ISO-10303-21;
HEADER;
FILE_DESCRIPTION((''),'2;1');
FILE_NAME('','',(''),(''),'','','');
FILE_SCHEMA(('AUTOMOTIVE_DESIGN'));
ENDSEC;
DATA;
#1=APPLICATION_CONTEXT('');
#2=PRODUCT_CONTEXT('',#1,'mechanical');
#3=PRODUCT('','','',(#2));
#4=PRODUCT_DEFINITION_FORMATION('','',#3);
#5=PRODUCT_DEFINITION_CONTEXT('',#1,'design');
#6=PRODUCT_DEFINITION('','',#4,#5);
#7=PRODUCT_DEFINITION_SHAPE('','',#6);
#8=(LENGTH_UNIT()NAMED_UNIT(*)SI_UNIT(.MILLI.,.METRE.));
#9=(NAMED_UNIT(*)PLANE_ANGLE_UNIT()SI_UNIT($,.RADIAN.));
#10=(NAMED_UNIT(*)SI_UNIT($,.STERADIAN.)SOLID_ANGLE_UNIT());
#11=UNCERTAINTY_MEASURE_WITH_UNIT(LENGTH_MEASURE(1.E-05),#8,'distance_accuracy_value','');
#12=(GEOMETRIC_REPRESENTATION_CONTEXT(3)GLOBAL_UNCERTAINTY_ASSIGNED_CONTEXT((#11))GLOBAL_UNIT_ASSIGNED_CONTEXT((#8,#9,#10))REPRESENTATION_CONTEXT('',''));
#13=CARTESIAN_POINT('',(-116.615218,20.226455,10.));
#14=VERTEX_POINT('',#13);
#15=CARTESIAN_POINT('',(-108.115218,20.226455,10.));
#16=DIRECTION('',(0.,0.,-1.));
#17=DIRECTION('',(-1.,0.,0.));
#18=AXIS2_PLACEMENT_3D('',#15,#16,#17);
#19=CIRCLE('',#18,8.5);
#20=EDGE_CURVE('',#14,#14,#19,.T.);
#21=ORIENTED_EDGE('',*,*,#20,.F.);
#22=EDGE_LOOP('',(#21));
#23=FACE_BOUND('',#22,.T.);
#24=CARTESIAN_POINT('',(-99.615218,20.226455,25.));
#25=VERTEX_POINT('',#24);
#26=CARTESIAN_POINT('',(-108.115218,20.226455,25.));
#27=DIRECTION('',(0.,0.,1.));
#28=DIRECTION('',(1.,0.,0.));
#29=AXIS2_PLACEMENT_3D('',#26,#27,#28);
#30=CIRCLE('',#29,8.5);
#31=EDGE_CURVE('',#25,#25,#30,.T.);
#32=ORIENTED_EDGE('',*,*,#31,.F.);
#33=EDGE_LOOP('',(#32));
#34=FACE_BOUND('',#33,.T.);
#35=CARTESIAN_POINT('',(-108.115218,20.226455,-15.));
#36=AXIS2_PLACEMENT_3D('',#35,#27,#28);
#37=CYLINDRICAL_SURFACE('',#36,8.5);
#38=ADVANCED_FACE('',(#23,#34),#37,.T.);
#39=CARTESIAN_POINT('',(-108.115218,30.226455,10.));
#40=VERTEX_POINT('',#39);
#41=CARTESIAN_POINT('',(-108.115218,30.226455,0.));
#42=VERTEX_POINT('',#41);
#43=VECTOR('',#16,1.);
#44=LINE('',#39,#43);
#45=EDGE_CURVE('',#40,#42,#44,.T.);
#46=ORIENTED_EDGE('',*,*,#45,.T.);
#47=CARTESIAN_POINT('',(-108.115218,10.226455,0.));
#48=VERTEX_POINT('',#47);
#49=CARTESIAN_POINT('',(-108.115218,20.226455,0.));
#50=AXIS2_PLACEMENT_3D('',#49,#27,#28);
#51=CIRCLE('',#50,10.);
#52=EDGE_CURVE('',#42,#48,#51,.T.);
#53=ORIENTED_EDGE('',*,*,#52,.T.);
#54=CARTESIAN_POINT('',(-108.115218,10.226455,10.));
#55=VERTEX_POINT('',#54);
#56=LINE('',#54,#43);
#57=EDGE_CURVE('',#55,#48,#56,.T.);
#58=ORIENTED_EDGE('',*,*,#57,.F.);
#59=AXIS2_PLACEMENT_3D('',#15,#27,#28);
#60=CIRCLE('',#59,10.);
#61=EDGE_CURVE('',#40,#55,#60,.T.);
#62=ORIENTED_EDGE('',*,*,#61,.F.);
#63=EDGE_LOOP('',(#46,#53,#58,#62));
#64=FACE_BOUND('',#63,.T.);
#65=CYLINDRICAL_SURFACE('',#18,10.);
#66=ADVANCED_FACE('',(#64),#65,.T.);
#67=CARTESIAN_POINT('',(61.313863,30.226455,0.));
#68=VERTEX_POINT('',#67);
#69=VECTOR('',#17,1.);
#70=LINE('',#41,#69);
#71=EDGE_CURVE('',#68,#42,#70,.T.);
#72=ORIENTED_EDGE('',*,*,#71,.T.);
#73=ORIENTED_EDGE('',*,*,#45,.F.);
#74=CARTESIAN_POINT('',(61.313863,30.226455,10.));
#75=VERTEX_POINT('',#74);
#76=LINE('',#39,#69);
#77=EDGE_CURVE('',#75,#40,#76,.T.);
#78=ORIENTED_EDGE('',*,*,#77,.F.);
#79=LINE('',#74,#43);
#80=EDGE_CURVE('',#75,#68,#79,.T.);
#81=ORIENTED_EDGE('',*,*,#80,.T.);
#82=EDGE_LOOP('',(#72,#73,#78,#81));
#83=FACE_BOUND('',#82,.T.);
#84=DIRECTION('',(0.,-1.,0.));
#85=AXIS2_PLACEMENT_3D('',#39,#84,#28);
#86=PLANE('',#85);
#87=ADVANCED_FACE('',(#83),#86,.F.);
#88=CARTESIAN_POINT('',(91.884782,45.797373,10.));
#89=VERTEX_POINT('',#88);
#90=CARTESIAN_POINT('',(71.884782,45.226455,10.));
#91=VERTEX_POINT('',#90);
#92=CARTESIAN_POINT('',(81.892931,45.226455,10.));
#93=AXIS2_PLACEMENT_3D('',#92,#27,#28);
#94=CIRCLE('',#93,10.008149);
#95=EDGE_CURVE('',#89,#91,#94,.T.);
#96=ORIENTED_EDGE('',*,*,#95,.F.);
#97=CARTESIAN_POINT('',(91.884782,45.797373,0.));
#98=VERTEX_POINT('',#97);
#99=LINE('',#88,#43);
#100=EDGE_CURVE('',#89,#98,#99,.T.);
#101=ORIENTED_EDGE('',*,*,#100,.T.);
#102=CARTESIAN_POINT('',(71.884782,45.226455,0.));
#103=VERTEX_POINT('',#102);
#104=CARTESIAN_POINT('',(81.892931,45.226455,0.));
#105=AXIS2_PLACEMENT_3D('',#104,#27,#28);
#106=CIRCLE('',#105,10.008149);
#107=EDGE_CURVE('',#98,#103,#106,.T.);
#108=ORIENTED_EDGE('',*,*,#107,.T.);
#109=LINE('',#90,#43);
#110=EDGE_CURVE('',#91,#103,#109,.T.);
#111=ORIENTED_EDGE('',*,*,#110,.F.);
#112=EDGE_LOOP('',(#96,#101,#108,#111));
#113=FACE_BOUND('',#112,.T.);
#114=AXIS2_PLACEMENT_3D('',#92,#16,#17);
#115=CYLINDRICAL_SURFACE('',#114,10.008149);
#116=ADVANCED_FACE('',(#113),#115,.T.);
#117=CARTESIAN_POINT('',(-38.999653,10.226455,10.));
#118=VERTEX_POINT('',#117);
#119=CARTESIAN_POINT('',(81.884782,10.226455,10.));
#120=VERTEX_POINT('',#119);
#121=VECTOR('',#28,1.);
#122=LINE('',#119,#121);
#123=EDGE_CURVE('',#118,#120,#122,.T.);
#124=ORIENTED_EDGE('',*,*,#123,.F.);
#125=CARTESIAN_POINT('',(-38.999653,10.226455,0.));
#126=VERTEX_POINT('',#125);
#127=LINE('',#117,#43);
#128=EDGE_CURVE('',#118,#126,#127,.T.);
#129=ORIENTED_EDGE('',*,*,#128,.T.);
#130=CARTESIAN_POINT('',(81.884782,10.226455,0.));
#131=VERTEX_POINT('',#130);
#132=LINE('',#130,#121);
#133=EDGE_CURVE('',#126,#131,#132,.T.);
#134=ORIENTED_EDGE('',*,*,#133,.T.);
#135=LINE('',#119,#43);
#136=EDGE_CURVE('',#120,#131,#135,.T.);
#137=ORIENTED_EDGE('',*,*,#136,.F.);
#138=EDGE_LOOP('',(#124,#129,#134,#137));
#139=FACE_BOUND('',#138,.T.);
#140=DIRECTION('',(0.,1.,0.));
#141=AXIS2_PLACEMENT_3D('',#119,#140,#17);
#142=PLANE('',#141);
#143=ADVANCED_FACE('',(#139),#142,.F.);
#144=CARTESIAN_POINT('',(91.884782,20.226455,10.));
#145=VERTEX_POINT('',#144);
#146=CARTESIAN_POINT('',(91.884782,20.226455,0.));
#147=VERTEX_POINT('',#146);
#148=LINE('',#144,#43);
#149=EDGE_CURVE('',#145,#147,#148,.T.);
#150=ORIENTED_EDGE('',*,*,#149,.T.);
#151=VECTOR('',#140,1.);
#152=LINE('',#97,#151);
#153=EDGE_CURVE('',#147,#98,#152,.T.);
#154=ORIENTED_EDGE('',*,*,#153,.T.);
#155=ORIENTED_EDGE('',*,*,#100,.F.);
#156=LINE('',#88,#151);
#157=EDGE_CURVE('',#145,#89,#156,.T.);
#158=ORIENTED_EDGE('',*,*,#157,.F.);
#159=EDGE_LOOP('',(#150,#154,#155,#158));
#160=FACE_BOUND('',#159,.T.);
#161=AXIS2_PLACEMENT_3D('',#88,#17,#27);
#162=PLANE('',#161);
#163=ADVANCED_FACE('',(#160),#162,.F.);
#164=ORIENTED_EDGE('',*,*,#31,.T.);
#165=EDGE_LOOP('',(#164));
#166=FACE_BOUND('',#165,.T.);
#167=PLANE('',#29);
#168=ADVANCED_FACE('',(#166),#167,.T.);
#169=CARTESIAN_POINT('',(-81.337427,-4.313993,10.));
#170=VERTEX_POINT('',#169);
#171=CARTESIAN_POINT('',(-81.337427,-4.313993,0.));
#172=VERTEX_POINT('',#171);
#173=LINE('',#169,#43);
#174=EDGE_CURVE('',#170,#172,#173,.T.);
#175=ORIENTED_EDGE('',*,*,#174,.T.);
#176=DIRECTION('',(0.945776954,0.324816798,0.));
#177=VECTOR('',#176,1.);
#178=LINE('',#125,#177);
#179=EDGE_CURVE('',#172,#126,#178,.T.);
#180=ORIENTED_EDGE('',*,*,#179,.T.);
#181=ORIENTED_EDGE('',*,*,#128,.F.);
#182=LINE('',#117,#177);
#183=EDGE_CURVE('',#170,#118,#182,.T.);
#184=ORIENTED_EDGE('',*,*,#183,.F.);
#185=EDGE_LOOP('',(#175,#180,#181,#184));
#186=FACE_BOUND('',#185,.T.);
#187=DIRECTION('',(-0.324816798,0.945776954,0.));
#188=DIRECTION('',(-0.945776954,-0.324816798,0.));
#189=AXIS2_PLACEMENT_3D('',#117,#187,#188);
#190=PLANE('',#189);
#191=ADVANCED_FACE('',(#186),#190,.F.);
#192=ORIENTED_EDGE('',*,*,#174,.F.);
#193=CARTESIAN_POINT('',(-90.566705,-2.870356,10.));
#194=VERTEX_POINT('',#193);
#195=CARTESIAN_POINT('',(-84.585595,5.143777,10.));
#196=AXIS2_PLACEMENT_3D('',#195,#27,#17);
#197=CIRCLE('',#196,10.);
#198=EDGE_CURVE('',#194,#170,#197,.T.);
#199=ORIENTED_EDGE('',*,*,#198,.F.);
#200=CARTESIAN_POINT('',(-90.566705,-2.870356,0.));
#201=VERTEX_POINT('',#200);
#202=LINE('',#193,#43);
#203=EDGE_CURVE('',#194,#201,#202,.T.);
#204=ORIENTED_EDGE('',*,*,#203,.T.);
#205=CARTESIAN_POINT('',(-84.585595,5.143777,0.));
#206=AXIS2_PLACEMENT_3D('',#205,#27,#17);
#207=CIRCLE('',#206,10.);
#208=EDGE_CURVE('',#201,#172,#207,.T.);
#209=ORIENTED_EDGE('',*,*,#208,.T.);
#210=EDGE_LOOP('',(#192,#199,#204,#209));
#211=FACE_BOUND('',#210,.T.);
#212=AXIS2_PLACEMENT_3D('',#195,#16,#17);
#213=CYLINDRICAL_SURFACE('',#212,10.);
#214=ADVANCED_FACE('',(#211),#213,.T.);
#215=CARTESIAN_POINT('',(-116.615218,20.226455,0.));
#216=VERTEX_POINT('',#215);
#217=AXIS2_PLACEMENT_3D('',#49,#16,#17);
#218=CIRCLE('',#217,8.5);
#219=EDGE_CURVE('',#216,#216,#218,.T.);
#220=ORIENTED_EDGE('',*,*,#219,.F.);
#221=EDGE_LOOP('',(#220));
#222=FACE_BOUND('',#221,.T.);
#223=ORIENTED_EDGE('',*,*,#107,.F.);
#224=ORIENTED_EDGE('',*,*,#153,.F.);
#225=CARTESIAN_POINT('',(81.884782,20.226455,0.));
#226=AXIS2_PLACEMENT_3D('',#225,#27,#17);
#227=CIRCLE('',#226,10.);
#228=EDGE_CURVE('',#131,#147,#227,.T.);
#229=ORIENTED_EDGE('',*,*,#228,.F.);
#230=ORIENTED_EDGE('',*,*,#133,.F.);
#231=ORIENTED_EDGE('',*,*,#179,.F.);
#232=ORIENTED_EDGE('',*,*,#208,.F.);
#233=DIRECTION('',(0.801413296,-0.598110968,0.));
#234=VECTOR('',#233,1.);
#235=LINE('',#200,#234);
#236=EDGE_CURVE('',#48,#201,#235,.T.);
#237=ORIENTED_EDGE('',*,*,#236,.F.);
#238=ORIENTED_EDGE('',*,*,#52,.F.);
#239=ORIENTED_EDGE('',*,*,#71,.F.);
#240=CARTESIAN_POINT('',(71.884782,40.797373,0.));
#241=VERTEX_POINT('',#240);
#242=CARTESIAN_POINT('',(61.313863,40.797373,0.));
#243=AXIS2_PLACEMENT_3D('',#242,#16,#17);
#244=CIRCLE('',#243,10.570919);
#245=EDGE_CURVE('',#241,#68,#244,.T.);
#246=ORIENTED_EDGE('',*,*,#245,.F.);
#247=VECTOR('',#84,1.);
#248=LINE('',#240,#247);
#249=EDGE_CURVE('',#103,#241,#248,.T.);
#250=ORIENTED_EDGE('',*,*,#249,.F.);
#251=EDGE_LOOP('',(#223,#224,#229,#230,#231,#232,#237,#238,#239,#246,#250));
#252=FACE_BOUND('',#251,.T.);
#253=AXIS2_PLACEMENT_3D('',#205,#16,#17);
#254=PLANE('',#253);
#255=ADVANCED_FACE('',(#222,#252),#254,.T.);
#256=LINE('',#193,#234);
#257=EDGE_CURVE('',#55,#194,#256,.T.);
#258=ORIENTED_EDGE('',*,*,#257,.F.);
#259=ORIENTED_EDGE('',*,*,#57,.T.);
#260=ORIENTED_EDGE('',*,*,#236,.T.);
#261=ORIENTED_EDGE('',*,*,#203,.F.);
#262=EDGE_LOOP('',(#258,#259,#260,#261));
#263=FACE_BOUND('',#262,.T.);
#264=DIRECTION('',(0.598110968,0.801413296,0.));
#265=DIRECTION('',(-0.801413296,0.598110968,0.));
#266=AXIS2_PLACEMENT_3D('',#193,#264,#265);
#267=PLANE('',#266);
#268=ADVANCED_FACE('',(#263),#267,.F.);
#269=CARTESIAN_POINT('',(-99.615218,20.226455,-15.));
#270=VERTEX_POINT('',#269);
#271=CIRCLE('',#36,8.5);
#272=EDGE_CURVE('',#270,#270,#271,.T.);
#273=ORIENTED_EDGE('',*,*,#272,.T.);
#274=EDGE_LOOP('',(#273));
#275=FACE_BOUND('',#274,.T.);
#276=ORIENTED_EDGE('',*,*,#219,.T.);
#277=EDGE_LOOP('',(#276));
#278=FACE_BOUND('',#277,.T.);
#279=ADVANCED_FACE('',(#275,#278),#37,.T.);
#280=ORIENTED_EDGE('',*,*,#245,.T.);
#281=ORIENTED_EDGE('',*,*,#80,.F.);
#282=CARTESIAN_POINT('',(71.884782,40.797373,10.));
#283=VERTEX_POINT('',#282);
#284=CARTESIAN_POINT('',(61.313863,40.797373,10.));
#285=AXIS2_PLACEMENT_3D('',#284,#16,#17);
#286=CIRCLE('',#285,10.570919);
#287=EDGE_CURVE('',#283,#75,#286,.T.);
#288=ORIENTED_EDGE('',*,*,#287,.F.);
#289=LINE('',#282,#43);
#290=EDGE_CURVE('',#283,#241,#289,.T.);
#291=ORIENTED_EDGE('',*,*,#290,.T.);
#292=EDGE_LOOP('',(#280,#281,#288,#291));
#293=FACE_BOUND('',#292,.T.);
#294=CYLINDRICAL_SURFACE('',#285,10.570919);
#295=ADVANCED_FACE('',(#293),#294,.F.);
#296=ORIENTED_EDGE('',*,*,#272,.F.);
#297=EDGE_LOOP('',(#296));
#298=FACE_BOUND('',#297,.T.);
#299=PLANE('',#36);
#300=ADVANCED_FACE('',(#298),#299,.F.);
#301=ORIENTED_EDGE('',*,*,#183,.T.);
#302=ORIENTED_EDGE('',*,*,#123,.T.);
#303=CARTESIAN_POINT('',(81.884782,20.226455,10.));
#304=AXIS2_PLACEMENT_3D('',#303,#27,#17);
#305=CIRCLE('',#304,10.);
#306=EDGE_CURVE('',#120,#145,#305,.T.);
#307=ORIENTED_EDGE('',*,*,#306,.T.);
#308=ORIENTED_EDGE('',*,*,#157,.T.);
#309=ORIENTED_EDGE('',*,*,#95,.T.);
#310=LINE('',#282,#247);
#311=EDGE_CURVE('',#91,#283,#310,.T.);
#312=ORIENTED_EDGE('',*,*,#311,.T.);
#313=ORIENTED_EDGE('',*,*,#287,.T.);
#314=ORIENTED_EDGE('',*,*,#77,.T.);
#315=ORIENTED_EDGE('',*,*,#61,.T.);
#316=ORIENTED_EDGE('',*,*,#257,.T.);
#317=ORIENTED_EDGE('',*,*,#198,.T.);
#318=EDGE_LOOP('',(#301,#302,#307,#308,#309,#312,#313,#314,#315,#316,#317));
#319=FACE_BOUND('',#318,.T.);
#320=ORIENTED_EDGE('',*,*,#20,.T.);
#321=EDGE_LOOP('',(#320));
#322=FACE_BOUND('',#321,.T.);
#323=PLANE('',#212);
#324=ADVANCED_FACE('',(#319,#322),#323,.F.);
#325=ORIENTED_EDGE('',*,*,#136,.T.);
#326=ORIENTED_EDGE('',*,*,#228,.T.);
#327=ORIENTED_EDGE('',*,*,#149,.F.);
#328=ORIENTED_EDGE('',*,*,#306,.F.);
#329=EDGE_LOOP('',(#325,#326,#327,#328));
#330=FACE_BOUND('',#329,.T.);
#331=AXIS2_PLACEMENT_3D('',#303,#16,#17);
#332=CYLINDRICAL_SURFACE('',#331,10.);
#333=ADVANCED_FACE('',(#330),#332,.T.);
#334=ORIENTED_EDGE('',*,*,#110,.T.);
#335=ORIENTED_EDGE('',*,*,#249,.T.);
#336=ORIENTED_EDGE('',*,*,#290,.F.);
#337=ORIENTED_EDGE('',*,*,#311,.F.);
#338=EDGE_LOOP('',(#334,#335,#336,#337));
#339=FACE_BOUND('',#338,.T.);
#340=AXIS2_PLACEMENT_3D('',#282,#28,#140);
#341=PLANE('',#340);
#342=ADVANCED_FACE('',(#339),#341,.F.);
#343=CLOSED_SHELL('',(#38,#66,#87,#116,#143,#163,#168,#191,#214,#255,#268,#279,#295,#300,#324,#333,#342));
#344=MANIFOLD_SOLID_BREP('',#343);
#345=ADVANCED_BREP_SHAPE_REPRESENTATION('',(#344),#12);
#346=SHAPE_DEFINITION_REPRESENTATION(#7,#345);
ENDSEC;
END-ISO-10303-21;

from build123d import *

# Parameters (mm, degrees)
BOSS_EXTRU_1_DEPTH      = 10
ESQUISSE2_R             = 8.5
BOSS_EXTRU_2_DEPTH      = 15
BOSS_EXTRU_2_DEPTH_BACK = 25


with BuildPart() as part:
    # Esquisse1 → Boss.-Extru.1 (new body)
    with BuildSketch(Plane.XY):
        with BuildLine():
            Line((-38.999653337, 10.226454502), (-81.337427048, -4.313992939))
            ThreePointArc((-81.337427048, -4.313992939), (-86.130996021, -4.736088564), (-90.566704705, -2.870356351))
            Line((-90.566704705, -2.870356351), (-108.115218138, 10.226454502))
            ThreePointArc((-108.115218138, 10.226454502), (-118.115218138, 20.226454502), (-108.115218138, 30.226454502))
            Line((-108.115218138, 30.226454502), (61.31386316, 30.226454502))
            ThreePointArc((61.31386316, 30.226454502), (68.788631458, 33.322604906), (71.884781862, 40.797373204))
            Line((71.884781862, 40.797373204), (71.884781862, 45.226454502))
            ThreePointArc((71.884781862, 45.226454502), (81.607354933, 55.230528024), (91.884781862, 45.797373204))
            Line((91.884781862, 45.797373204), (91.884781862, 20.226454502))
            ThreePointArc((91.884781862, 20.226454502), (88.955849674, 13.15538669), (81.884781862, 10.226454502))
            Line((81.884781862, 10.226454502), (-38.999653337, 10.226454502))
        make_face()
    extrude(amount=BOSS_EXTRU_1_DEPTH)

    # Esquisse2 → Boss.-Extru.2 (add, two sides)
    with BuildSketch(Plane.XY.offset(10)) as boss_extru_2_sk:
        with Locations((-108.115218138, 20.226454502)):
            Circle(ESQUISSE2_R)
    extrude(amount=BOSS_EXTRU_2_DEPTH)
    extrude(boss_extru_2_sk.sketch, amount=-BOSS_EXTRU_2_DEPTH_BACK)


solid = part.part
